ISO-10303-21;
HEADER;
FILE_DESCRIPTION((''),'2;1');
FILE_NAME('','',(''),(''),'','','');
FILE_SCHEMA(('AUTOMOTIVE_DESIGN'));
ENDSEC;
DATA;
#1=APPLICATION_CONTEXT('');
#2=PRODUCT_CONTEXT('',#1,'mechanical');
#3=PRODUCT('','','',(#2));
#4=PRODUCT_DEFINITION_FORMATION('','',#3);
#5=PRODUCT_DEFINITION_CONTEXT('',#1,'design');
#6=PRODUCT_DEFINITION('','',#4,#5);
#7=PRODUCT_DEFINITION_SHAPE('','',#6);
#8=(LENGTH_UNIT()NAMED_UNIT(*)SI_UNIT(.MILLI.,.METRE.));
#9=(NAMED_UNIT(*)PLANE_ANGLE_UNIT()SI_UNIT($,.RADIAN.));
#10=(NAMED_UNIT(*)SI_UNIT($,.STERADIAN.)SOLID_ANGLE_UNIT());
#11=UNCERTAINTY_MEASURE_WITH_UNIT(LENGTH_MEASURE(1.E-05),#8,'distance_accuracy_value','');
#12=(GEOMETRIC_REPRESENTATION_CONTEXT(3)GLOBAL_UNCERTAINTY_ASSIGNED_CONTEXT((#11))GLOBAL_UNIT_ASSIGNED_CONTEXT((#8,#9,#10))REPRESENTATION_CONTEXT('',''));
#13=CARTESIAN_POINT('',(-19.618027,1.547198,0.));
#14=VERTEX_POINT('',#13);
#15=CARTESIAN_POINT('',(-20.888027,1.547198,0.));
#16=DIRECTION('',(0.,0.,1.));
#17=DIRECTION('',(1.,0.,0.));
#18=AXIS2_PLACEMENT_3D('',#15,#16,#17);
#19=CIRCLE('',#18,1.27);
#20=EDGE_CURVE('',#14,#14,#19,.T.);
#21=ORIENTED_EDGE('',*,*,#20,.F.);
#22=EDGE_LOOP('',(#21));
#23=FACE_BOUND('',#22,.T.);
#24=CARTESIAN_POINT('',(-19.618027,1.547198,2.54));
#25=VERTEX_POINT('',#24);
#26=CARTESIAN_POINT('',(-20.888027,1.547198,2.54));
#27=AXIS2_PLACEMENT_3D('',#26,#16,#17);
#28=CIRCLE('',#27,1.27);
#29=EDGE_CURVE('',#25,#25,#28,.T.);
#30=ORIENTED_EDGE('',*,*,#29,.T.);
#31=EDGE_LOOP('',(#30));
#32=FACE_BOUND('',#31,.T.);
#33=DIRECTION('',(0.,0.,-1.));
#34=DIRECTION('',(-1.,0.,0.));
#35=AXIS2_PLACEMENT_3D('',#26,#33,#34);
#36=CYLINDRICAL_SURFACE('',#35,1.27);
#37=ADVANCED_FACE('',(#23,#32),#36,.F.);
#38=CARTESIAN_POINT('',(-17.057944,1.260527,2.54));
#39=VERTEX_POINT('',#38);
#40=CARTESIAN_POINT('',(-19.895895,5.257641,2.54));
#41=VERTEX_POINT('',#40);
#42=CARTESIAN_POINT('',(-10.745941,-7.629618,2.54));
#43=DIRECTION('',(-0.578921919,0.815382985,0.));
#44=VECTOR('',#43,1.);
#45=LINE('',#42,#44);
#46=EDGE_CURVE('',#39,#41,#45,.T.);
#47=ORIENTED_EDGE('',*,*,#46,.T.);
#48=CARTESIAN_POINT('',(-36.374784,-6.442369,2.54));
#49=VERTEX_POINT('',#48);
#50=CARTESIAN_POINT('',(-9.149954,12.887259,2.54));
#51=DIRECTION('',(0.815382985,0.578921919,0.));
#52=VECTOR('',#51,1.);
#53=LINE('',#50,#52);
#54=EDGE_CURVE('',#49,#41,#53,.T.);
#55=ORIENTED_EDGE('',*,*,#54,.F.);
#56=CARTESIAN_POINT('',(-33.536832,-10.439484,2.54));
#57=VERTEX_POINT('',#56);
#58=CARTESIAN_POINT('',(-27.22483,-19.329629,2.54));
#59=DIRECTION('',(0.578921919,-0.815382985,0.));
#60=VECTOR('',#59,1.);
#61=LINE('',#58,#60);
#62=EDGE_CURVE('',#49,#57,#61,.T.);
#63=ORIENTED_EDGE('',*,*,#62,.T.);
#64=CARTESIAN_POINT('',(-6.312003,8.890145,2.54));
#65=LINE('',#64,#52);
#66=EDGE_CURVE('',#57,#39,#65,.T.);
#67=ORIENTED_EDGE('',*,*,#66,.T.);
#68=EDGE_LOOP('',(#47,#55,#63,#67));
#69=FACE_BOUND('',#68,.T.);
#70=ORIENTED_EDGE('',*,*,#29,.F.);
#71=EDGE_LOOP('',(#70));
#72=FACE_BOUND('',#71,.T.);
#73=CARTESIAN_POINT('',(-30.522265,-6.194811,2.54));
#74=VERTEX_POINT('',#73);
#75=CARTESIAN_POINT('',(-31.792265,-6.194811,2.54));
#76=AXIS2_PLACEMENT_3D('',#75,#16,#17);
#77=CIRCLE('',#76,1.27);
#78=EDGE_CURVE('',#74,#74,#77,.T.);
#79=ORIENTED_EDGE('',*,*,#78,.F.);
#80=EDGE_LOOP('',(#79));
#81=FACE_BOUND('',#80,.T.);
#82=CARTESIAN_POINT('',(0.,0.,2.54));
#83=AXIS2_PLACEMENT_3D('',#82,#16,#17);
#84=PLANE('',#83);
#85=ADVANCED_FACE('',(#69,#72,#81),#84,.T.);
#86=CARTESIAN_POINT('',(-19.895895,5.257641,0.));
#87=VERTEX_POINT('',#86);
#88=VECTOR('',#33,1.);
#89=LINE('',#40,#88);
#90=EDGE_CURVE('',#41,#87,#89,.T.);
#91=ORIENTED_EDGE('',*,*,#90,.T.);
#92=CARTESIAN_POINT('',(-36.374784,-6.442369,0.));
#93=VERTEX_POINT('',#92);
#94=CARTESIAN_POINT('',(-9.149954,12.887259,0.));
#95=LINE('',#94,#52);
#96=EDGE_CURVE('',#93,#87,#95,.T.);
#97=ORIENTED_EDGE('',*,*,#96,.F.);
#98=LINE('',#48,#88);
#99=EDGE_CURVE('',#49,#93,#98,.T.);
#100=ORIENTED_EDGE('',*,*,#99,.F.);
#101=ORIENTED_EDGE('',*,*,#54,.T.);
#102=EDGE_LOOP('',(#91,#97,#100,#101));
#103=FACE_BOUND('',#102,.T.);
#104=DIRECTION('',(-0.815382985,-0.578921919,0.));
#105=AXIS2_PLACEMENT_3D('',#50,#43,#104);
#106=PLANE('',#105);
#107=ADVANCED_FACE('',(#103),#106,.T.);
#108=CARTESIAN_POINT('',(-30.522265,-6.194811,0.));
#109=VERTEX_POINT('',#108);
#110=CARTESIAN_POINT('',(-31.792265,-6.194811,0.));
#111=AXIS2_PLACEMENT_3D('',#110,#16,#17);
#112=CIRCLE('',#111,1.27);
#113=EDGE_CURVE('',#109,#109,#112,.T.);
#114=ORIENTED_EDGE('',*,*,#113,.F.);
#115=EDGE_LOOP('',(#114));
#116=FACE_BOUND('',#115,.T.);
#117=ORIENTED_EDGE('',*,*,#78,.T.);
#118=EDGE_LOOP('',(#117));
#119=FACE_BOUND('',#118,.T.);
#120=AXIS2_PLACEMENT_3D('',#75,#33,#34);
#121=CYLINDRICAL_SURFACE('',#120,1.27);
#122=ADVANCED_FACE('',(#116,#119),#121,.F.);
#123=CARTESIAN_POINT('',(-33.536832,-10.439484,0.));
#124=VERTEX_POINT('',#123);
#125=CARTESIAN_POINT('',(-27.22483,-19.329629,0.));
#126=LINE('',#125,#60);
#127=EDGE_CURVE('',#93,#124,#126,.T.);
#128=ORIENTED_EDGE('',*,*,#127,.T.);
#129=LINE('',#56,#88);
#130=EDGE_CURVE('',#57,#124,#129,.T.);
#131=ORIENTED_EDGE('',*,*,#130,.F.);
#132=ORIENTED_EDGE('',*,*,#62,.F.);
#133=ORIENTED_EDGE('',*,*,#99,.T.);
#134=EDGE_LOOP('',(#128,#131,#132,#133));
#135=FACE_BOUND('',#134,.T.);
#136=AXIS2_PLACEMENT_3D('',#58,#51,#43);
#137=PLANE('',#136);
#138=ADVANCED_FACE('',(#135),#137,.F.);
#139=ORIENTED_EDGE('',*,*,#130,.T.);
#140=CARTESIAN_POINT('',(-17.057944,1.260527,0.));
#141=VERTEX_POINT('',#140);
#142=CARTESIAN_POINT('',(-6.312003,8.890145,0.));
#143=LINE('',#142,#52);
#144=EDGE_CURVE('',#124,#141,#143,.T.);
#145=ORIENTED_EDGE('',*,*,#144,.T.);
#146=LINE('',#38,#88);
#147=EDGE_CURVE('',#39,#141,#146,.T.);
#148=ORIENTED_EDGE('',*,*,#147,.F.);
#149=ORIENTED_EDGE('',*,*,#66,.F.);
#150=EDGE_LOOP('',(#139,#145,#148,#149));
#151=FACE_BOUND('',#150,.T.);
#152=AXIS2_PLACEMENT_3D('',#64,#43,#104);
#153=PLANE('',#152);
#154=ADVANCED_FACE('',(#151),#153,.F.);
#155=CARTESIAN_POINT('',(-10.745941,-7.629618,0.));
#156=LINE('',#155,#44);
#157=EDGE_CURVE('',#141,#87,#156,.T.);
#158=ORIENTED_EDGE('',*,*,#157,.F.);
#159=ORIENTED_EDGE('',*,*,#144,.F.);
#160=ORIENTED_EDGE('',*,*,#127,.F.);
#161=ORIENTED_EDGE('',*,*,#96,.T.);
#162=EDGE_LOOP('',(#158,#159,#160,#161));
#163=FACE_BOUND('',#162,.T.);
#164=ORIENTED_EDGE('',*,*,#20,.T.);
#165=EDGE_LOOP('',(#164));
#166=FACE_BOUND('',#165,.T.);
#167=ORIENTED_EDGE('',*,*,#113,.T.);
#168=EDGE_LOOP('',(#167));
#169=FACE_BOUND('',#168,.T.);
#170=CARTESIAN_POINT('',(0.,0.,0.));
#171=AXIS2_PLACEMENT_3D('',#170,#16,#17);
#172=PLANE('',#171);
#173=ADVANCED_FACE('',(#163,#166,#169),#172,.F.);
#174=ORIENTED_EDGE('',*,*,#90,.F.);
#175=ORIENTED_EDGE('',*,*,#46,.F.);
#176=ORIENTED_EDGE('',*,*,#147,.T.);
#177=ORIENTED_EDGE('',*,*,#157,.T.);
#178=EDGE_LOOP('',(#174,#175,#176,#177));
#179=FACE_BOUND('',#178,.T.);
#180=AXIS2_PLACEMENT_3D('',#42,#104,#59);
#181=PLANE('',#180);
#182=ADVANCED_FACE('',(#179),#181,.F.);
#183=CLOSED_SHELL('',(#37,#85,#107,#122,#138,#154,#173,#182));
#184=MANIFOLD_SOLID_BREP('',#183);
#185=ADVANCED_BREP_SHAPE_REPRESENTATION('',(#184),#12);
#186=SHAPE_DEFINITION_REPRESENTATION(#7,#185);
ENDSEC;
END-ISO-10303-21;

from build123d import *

# Parameters (mm, degrees)
BOSS_EXTRUDE1_DEPTH = 2.54


with BuildPart() as part:
    # Sketch1 → Boss-Extrude1 (new body)
    with BuildSketch(Plane.XY):
        with BuildLine():
            Line((-19.895895452, 5.257641235), (-22.301043484, 3.549986133))
            Line((-22.301043484, 3.549986133), (-21.620166741, 2.584921984))
            ThreePointArc((-21.620166741, 2.584921984), (-20.673812198, 2.799001601), (-19.852490319, 2.282428882))
            Line((-19.852490319, 2.282428882), (-18.476919787, 3.25908396))
            Line((-18.476919787, 3.25908396), (-19.895895452, 5.257641235))
        make_face()
        with BuildLine():
            Line((-17.057944121, 1.260526684), (-18.476919787, 3.25908396))
            Line((-18.476919787, 3.25908396), (-19.852490319, 2.282428882))
            ThreePointArc((-19.852490319, 2.282428882), (-19.678061583, 1.933053448), (-19.618026709, 1.547198045))
            ThreePointArc((-19.618026709, 1.547198045), (-19.76048118, 0.962782884), (-20.155886678, 0.509474105))
            Line((-20.155886678, 0.509474105), (-19.475009935, -0.455590043))
            Line((-19.475009935, -0.455590043), (-17.057944121, 1.260526684))
        make_face()
        with BuildLine():
            Line((-21.9235631, 0.811967207), (-30.756728475, -5.459580209))
            ThreePointArc((-30.756728475, -5.459580209), (-30.582299739, -5.808955643), (-30.522264866, -6.194811046))
            ThreePointArc((-30.522264866, -6.194811046), (-30.663849348, -6.77754462), (-31.057034029, -7.230347437))
            Line((-31.057034029, -7.230347437), (-30.3732892, -8.193368322))
            Line((-30.3732892, -8.193368322), (-19.475009935, -0.455590043))
            Line((-19.475009935, -0.455590043), (-20.155886678, 0.509474105))
            ThreePointArc((-20.155886678, 0.509474105), (-21.102241221, 0.295394489), (-21.9235631, 0.811967207))
        make_face()
        with BuildLine():
            Line((-22.301043484, 3.549986133), (-33.211240531, -4.196253771))
            Line((-33.211240531, -4.196253771), (-32.527495703, -5.159274656))
            ThreePointArc((-32.527495703, -5.159274656), (-31.579916773, -4.942689532), (-30.756728475, -5.459580209))
            Line((-30.756728475, -5.459580209), (-21.9235631, 0.811967207))
            ThreePointArc((-21.9235631, 0.811967207), (-22.139830266, 1.761412556), (-21.620166741, 2.584921984))
            Line((-21.620166741, 2.584921984), (-22.301043484, 3.549986133))
        make_face()
        with BuildLine():
            Line((-33.211240531, -4.196253771), (-36.374783749, -6.442369456))
            Line((-36.374783749, -6.442369456), (-34.955808084, -8.440926731))
            Line((-34.955808084, -8.440926731), (-32.827801256, -6.930041884))
            ThreePointArc((-32.827801256, -6.930041884), (-33.04438638, -5.982462953), (-32.527495703, -5.159274656))
            Line((-32.527495703, -5.159274656), (-33.211240531, -4.196253771))
        make_face()
        with BuildLine():
            Line((-32.827801256, -6.930041884), (-34.955808084, -8.440926731))
            Line((-34.955808084, -8.440926731), (-33.536832418, -10.439484007))
            Line((-33.536832418, -10.439484007), (-30.3732892, -8.193368322))
            Line((-30.3732892, -8.193368322), (-31.057034029, -7.230347437))
            ThreePointArc((-31.057034029, -7.230347437), (-32.004612959, -7.446932561), (-32.827801256, -6.930041884))
        make_face()
    extrude(amount=BOSS_EXTRUDE1_DEPTH)


solid = part.part
